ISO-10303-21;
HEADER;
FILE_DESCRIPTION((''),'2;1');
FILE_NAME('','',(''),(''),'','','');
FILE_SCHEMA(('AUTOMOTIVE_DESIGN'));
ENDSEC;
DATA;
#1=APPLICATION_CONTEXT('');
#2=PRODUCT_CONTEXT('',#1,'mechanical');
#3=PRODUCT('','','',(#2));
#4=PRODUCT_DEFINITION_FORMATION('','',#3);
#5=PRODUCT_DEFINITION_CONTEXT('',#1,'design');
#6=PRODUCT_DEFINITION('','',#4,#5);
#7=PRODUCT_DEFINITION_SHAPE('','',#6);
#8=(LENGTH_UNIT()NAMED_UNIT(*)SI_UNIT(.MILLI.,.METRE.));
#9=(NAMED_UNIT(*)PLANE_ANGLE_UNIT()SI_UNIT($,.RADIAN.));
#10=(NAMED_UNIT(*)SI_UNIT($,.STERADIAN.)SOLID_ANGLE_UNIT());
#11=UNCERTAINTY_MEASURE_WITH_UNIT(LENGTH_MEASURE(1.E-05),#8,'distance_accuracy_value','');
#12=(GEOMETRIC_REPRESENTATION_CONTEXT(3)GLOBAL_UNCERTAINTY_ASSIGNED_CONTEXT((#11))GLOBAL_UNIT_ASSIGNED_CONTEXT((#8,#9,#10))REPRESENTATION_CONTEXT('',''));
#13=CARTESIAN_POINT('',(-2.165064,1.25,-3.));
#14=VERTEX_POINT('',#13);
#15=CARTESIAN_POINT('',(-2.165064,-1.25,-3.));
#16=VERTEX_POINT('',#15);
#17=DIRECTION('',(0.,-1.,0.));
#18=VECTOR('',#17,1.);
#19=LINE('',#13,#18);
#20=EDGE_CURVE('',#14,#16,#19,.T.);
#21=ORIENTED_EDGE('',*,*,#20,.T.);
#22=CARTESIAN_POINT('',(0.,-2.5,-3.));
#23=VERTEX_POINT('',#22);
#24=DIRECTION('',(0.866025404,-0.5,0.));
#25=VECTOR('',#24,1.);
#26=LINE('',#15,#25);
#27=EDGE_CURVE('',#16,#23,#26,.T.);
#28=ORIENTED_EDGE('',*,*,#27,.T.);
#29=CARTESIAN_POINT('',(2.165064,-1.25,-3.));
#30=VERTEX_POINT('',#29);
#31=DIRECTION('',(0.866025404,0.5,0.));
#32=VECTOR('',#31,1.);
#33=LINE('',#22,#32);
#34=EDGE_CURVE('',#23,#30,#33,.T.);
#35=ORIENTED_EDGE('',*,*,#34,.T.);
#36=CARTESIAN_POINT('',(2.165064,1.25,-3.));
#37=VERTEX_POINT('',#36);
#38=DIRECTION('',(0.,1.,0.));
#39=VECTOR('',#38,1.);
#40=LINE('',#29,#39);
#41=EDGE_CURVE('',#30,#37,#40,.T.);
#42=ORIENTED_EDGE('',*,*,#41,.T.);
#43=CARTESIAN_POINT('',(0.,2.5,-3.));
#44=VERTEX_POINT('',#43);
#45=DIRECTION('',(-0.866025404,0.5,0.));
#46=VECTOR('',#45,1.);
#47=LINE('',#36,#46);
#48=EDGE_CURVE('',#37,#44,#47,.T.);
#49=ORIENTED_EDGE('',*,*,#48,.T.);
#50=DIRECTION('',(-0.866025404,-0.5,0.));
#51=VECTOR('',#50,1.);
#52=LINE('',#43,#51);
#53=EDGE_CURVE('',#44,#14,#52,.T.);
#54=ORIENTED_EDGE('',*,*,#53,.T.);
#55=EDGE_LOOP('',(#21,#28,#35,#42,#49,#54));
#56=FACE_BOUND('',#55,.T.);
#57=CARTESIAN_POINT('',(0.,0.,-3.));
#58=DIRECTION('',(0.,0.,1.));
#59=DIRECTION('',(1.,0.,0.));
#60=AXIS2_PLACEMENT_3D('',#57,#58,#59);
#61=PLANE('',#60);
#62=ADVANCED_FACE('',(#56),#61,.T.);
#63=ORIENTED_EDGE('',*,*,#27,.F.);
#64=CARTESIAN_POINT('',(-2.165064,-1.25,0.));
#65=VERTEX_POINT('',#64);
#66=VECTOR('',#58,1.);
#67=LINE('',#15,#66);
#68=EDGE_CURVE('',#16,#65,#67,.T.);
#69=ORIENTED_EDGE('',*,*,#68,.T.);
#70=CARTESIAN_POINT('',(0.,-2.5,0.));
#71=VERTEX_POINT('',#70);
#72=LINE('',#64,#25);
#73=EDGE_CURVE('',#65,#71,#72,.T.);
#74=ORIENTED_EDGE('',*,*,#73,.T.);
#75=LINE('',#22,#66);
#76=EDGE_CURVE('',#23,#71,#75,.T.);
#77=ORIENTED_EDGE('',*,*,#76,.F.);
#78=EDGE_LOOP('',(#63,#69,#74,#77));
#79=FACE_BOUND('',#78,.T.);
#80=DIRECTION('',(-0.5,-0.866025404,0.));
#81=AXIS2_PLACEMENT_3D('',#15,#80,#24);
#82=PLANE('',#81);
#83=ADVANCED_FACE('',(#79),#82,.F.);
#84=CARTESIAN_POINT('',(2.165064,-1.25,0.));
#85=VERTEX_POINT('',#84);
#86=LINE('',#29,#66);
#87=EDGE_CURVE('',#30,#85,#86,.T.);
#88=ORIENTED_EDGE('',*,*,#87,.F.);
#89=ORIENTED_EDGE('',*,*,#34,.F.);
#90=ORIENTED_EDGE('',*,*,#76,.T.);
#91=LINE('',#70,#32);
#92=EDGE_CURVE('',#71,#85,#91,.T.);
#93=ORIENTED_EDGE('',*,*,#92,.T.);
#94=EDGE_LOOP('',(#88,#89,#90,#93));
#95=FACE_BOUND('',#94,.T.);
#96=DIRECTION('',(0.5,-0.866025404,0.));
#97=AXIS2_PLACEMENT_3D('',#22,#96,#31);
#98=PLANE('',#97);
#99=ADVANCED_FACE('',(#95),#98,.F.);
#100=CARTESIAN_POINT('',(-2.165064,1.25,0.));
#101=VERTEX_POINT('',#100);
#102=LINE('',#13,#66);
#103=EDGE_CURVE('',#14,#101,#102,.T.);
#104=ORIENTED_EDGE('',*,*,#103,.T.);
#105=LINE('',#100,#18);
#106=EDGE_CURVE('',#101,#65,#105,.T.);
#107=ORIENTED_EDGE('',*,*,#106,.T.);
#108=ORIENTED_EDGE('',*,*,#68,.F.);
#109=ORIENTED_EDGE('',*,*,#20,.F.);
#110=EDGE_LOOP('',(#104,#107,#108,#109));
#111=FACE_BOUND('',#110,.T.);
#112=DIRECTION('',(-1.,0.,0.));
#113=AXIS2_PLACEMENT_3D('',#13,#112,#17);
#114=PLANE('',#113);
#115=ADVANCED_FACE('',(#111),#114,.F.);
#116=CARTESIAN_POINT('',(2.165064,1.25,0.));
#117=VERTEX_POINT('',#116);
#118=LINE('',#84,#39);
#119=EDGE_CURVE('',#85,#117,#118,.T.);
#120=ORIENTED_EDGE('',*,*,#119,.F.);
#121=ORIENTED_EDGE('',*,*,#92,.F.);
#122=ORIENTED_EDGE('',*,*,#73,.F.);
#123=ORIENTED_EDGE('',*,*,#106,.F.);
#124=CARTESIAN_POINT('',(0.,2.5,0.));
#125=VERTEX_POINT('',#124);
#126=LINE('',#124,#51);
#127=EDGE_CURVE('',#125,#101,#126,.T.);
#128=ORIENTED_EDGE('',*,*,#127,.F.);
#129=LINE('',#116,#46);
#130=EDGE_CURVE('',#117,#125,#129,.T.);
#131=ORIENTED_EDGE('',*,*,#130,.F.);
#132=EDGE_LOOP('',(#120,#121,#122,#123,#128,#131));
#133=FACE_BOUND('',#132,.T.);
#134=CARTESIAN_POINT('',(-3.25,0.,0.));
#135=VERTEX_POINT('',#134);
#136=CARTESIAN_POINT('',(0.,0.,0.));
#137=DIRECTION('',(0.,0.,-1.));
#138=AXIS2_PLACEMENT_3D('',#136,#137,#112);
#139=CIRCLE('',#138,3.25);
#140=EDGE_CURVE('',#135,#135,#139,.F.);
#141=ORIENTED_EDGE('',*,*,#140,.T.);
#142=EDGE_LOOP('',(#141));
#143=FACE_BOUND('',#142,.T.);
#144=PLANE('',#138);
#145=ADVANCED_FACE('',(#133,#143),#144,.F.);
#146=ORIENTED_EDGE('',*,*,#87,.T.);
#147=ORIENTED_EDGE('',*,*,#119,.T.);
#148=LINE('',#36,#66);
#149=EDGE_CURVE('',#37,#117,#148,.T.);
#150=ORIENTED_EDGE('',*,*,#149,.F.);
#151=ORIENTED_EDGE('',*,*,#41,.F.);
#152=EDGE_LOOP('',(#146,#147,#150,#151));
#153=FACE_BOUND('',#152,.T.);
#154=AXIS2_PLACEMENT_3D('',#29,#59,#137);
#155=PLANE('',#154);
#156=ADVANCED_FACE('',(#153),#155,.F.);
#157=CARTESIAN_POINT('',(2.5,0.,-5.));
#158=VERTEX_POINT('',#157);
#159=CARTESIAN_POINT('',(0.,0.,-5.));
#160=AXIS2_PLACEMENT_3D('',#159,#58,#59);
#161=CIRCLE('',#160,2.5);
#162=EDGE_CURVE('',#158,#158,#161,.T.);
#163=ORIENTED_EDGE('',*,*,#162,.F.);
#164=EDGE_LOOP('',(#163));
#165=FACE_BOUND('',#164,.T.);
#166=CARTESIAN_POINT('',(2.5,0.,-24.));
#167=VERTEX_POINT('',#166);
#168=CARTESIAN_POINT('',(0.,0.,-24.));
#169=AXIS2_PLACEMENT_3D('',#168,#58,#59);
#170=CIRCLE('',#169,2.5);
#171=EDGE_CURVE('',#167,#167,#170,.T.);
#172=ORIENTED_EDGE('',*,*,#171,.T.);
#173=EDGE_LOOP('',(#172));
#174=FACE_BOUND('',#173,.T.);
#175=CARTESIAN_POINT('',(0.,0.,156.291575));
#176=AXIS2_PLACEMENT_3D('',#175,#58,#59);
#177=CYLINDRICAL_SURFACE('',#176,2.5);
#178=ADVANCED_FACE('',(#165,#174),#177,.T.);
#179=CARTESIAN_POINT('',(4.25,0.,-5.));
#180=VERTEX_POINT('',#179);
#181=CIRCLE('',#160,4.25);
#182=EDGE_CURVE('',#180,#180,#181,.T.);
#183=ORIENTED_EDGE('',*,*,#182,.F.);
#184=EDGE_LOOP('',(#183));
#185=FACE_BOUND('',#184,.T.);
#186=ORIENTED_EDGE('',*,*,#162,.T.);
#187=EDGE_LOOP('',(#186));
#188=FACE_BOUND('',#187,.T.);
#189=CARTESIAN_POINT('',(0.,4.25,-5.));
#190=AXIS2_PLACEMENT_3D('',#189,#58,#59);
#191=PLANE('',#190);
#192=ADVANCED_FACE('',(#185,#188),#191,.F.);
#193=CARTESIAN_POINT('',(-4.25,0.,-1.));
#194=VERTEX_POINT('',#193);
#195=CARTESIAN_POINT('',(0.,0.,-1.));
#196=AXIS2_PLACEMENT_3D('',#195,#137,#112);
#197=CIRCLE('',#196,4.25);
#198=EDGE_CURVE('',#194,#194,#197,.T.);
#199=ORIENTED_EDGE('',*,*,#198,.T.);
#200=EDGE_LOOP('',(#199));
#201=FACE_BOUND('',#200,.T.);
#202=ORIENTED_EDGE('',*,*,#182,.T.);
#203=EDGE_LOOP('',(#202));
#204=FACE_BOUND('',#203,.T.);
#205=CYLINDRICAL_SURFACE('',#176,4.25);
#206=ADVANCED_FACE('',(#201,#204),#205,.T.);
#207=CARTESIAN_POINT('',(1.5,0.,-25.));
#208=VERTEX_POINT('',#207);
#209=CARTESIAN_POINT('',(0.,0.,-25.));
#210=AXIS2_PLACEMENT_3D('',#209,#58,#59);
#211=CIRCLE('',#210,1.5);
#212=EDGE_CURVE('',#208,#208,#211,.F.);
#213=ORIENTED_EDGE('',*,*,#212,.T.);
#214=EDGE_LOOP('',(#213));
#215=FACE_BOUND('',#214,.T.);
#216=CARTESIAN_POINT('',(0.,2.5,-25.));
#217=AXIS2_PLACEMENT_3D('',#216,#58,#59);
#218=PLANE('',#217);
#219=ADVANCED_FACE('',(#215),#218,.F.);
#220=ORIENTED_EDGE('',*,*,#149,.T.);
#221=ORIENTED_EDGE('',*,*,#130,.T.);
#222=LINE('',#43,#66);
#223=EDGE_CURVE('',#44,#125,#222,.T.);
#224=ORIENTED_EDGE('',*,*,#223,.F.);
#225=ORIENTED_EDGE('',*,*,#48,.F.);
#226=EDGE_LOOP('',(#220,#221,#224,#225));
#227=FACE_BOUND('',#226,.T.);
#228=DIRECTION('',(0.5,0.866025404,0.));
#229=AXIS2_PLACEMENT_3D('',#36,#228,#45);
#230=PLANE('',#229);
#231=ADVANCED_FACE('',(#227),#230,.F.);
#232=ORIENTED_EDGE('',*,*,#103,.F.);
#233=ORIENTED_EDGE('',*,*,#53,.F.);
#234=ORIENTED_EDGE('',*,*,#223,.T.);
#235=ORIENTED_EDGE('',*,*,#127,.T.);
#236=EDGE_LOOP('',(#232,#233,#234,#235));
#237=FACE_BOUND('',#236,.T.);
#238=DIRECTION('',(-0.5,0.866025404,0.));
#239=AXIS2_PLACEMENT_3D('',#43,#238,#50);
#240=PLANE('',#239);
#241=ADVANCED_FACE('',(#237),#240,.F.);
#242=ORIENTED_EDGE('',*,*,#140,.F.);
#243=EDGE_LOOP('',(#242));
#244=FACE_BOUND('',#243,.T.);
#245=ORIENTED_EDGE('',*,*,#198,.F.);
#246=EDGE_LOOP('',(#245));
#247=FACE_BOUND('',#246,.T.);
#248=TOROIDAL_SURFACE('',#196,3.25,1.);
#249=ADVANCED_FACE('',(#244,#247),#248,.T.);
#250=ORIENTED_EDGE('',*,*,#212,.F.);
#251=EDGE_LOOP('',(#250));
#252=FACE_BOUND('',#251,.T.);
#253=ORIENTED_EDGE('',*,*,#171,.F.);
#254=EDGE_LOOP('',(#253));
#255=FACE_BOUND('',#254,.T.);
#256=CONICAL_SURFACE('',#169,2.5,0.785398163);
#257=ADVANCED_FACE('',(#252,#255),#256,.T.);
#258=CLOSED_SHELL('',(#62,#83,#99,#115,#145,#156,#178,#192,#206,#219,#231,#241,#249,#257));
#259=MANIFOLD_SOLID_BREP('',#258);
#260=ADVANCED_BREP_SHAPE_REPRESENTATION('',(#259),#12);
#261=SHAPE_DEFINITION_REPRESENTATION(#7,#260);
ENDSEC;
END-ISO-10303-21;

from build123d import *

# Parameters (mm, degrees)
FOOTPRINT_DEPTH = 3
CHAMFER1_SIZE   = 1
FILLET1_R       = 1


with BuildPart() as part:
    # Sketch1 → Body (revolve)
    with BuildSketch(Plane(origin=(0, 0, 0), x_dir=(0, 0, -1), z_dir=(1, 0, 0)), mode=Mode.PRIVATE) as body_sk:
        Polygon((0, 0), (0, 4.25), (5, 4.25), (5, 2.5), (25, 2.5), (25, 0), align=None)
    revolve(body_sk.sketch.rotate(Axis((0, 0, 156.291575099), (0, 0, -1)), 90), axis=Axis((0, 0, 156.291575099), (0, 0, -1)))

    # Sketch2 → Footprint (cut)
    with BuildSketch(Plane.XY):
        Polygon((0, 2.5), (-2.165063509, 1.25), (-2.165063509, -1.25), (0, -2.5), (2.165063509, -1.25), (2.165063509, 1.25), align=None)
    extrude(amount=-FOOTPRINT_DEPTH, mode=Mode.SUBTRACT)

    # Chamfer1
    chamfer1_edges = [part.edges().sort_by_distance(p)[0] for p in [
        (-2.5, 0, -25),
    ]]
    chamfer(chamfer1_edges, length=CHAMFER1_SIZE)

    # Fillet1
    fillet1_edges = [part.edges().sort_by_distance(p)[0] for p in [
        (-4.25, 0, 0),
    ]]
    fillet(fillet1_edges, radius=FILLET1_R)


solid = part.part
